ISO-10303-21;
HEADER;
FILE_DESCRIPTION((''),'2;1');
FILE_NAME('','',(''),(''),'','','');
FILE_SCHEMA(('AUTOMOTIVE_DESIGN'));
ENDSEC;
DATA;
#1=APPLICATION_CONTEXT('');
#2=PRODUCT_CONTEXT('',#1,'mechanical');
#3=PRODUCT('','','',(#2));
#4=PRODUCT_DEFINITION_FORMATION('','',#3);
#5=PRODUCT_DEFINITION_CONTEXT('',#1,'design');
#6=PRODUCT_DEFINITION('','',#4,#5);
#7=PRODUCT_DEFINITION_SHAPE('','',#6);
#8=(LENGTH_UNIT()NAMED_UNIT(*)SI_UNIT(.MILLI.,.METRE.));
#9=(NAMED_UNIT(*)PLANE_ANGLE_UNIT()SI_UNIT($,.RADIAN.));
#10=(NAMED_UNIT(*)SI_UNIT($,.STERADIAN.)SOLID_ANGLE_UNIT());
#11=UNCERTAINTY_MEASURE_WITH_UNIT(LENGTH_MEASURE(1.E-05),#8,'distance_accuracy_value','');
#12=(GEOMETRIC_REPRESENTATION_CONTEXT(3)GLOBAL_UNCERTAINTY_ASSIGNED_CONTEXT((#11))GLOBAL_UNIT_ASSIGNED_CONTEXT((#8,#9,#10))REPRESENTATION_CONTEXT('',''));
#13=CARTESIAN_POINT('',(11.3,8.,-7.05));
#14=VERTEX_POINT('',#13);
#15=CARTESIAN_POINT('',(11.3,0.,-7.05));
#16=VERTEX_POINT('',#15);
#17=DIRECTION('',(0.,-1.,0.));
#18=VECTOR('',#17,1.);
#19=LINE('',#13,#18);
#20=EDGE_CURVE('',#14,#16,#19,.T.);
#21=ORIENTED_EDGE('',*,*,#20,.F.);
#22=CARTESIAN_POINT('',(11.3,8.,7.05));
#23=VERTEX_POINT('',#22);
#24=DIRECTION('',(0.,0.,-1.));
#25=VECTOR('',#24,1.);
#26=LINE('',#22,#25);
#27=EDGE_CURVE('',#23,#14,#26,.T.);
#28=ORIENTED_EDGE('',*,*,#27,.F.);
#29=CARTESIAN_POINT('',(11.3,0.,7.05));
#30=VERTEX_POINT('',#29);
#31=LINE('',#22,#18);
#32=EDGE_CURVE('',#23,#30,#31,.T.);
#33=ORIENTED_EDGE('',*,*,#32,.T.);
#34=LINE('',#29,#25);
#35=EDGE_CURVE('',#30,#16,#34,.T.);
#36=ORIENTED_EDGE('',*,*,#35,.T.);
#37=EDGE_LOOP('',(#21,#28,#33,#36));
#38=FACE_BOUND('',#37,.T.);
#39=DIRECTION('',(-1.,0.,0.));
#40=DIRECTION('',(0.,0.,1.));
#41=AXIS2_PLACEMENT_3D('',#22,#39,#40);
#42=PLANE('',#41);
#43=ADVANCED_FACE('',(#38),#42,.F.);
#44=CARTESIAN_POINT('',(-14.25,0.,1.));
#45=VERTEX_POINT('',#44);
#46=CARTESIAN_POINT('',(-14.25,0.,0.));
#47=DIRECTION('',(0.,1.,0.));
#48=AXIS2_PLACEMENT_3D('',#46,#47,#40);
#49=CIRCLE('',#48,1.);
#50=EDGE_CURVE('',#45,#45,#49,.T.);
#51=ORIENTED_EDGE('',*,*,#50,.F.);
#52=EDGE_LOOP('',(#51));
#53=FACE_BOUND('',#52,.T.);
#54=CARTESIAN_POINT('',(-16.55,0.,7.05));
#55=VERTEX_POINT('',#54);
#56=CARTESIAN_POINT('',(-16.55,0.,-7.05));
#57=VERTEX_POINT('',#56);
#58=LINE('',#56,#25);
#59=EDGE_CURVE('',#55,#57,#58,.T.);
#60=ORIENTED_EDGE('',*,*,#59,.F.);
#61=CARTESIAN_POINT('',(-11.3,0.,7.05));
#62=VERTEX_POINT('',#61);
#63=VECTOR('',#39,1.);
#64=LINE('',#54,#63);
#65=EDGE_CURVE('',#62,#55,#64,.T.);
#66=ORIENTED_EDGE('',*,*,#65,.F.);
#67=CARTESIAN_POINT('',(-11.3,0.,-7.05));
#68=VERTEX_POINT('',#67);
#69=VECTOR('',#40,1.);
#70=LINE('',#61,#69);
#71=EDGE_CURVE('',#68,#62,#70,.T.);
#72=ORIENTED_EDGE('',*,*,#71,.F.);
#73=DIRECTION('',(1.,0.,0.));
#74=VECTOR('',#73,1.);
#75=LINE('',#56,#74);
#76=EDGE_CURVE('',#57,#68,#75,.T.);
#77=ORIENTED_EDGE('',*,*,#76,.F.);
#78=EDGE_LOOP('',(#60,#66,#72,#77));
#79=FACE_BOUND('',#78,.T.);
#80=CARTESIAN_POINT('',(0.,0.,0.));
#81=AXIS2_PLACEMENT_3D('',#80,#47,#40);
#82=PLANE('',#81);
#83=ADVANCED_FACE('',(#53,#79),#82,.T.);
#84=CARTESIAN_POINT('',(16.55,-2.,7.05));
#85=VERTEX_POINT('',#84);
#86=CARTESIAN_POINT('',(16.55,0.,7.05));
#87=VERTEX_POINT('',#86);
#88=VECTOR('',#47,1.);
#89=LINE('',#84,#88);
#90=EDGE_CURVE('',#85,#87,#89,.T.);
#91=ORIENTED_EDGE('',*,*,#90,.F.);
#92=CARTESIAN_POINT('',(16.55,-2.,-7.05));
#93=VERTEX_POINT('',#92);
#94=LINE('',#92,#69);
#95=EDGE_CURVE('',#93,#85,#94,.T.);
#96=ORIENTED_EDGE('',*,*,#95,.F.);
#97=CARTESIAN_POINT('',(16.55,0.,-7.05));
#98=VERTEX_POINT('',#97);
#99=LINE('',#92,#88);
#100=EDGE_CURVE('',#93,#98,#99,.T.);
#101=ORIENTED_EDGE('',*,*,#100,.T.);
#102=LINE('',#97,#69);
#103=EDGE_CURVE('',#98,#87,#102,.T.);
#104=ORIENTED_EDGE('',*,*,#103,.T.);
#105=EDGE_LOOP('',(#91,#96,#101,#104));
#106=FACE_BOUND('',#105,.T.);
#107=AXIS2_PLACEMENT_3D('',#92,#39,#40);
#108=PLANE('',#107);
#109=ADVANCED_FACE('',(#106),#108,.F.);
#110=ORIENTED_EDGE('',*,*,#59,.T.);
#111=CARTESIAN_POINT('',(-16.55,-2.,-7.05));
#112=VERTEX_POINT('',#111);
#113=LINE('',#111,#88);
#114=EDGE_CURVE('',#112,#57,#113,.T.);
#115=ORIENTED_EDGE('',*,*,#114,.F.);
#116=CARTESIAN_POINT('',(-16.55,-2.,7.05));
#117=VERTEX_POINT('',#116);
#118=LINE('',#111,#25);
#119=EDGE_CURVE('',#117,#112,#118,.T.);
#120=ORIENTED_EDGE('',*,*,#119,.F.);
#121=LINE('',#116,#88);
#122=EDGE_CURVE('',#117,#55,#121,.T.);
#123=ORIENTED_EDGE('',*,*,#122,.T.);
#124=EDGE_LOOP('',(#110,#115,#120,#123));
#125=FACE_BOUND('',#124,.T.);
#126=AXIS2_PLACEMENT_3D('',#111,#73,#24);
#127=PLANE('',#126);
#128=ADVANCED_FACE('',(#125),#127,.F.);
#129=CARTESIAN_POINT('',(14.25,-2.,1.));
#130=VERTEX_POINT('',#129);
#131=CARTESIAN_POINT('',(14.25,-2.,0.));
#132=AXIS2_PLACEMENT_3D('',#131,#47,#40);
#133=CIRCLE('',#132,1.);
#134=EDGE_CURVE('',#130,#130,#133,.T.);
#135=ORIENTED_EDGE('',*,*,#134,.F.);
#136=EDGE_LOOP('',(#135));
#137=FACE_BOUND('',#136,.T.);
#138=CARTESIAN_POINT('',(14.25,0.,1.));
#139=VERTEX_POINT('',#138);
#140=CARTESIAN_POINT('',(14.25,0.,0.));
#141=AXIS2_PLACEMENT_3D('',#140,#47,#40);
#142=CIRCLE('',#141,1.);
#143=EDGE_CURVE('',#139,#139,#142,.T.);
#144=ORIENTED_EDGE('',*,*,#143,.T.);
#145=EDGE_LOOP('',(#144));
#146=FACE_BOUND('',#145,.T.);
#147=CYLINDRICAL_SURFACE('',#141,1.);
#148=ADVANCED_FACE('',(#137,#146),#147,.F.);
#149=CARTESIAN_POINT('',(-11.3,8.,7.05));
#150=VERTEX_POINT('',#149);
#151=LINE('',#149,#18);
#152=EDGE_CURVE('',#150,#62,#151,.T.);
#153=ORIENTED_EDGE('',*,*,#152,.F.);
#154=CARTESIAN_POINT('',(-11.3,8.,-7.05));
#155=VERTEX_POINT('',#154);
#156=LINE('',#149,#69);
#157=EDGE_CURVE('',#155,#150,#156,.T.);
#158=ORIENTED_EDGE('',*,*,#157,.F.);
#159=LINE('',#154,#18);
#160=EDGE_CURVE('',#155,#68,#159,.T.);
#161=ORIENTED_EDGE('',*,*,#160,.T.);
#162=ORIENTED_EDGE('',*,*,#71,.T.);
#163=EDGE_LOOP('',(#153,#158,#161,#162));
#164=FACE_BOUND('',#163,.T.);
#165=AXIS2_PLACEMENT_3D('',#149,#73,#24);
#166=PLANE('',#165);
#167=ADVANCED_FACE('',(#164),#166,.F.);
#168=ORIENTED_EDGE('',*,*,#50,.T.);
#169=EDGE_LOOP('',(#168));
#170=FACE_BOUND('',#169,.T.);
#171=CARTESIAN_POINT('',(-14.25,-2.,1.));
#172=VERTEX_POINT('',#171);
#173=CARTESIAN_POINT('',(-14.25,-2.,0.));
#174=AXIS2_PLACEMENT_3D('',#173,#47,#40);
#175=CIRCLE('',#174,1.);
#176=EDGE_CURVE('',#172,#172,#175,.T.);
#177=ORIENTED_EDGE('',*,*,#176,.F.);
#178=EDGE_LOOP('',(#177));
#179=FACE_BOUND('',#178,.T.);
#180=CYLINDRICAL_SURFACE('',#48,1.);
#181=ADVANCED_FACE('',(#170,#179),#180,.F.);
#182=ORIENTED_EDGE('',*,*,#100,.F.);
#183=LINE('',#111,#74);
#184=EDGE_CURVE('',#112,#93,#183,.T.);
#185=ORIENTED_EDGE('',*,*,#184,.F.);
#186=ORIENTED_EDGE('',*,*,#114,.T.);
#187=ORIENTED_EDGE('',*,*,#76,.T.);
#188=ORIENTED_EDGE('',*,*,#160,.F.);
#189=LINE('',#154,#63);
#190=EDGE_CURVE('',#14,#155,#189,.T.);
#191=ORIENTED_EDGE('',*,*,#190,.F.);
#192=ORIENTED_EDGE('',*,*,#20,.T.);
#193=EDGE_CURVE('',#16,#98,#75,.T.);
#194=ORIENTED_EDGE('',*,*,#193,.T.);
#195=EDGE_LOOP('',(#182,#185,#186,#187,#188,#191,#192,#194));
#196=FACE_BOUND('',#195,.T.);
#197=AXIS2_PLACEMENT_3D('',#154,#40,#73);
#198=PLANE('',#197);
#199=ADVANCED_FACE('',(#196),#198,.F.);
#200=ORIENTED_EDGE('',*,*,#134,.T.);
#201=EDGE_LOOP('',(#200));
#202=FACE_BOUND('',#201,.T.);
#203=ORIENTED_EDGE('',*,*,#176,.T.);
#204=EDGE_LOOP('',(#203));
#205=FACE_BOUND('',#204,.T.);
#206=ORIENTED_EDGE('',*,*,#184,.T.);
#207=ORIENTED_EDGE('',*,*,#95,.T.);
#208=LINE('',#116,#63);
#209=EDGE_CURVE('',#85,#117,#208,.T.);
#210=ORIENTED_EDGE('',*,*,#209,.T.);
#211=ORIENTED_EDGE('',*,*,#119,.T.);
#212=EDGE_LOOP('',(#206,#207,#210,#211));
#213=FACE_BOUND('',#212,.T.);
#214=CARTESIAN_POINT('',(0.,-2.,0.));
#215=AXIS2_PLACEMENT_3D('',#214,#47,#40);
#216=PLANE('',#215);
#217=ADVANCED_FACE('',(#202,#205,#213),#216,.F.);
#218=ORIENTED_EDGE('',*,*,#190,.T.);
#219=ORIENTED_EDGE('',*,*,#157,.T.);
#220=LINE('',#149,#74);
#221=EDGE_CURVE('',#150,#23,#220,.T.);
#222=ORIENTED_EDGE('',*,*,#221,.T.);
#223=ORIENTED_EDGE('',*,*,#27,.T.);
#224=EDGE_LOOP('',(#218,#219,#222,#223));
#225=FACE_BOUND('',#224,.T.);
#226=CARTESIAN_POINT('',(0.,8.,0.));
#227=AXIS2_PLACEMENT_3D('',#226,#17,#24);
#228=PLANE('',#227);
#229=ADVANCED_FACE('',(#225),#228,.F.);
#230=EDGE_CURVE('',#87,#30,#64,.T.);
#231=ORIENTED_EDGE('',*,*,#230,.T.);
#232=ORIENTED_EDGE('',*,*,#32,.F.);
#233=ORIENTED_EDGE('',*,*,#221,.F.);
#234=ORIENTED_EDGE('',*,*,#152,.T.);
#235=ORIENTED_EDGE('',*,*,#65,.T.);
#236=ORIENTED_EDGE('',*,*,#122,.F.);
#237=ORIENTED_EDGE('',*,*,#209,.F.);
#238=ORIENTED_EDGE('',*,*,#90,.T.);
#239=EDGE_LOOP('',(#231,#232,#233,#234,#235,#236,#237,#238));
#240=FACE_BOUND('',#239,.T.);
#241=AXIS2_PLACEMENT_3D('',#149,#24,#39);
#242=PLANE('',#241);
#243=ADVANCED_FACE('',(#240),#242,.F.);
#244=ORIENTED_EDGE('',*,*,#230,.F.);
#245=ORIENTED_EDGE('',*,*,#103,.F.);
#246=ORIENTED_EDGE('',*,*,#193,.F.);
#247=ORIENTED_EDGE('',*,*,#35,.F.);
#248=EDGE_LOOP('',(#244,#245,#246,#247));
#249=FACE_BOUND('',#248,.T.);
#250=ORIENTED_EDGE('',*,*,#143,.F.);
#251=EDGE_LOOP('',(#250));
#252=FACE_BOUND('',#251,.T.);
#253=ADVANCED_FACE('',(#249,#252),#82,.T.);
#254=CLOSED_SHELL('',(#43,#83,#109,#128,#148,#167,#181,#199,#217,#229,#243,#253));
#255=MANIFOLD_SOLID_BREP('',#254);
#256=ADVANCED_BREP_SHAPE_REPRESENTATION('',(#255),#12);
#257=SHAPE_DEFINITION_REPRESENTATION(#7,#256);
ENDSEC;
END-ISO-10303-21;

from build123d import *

# Parameters (mm, degrees)
SKETCH1_W                    = 22.6
SKETCH1_H                    = 14.1
BOSS_EXTRUDE1_DEPTH          = 8
SKETCH2_W                    = 33.1
SKETCH2_H                    = 14.1
BOSS_EXTRUDE2_DEPTH          = 2
F_2_0_2_DIAMETER_HOLE1_D     = 2
F_2_0_2_DIAMETER_HOLE1_DEPTH = 2


with BuildPart() as part:
    # Sketch1 → Boss-Extrude1 (new body)
    with BuildSketch(Plane(origin=(0, 0, 0), x_dir=(1, 0, 0), z_dir=(0, 1, 0))):
        Rectangle(SKETCH1_W, SKETCH1_H)
    extrude(amount=BOSS_EXTRUDE1_DEPTH)

    # Sketch2 → Boss-Extrude2 (add)
    with BuildSketch(Plane.XZ):
        Rectangle(SKETCH2_W, SKETCH2_H)
    extrude(amount=BOSS_EXTRUDE2_DEPTH)

    # Ø2.0 (2) Diameter Hole1
    with Locations(Plane(origin=(0, 0, 0), x_dir=(1, 0, 0), z_dir=(0, 1, 0))):
        with Locations((-14.25, 0), (14.25, 0)):
            Hole(F_2_0_2_DIAMETER_HOLE1_D / 2, depth=F_2_0_2_DIAMETER_HOLE1_DEPTH)


solid = part.part
